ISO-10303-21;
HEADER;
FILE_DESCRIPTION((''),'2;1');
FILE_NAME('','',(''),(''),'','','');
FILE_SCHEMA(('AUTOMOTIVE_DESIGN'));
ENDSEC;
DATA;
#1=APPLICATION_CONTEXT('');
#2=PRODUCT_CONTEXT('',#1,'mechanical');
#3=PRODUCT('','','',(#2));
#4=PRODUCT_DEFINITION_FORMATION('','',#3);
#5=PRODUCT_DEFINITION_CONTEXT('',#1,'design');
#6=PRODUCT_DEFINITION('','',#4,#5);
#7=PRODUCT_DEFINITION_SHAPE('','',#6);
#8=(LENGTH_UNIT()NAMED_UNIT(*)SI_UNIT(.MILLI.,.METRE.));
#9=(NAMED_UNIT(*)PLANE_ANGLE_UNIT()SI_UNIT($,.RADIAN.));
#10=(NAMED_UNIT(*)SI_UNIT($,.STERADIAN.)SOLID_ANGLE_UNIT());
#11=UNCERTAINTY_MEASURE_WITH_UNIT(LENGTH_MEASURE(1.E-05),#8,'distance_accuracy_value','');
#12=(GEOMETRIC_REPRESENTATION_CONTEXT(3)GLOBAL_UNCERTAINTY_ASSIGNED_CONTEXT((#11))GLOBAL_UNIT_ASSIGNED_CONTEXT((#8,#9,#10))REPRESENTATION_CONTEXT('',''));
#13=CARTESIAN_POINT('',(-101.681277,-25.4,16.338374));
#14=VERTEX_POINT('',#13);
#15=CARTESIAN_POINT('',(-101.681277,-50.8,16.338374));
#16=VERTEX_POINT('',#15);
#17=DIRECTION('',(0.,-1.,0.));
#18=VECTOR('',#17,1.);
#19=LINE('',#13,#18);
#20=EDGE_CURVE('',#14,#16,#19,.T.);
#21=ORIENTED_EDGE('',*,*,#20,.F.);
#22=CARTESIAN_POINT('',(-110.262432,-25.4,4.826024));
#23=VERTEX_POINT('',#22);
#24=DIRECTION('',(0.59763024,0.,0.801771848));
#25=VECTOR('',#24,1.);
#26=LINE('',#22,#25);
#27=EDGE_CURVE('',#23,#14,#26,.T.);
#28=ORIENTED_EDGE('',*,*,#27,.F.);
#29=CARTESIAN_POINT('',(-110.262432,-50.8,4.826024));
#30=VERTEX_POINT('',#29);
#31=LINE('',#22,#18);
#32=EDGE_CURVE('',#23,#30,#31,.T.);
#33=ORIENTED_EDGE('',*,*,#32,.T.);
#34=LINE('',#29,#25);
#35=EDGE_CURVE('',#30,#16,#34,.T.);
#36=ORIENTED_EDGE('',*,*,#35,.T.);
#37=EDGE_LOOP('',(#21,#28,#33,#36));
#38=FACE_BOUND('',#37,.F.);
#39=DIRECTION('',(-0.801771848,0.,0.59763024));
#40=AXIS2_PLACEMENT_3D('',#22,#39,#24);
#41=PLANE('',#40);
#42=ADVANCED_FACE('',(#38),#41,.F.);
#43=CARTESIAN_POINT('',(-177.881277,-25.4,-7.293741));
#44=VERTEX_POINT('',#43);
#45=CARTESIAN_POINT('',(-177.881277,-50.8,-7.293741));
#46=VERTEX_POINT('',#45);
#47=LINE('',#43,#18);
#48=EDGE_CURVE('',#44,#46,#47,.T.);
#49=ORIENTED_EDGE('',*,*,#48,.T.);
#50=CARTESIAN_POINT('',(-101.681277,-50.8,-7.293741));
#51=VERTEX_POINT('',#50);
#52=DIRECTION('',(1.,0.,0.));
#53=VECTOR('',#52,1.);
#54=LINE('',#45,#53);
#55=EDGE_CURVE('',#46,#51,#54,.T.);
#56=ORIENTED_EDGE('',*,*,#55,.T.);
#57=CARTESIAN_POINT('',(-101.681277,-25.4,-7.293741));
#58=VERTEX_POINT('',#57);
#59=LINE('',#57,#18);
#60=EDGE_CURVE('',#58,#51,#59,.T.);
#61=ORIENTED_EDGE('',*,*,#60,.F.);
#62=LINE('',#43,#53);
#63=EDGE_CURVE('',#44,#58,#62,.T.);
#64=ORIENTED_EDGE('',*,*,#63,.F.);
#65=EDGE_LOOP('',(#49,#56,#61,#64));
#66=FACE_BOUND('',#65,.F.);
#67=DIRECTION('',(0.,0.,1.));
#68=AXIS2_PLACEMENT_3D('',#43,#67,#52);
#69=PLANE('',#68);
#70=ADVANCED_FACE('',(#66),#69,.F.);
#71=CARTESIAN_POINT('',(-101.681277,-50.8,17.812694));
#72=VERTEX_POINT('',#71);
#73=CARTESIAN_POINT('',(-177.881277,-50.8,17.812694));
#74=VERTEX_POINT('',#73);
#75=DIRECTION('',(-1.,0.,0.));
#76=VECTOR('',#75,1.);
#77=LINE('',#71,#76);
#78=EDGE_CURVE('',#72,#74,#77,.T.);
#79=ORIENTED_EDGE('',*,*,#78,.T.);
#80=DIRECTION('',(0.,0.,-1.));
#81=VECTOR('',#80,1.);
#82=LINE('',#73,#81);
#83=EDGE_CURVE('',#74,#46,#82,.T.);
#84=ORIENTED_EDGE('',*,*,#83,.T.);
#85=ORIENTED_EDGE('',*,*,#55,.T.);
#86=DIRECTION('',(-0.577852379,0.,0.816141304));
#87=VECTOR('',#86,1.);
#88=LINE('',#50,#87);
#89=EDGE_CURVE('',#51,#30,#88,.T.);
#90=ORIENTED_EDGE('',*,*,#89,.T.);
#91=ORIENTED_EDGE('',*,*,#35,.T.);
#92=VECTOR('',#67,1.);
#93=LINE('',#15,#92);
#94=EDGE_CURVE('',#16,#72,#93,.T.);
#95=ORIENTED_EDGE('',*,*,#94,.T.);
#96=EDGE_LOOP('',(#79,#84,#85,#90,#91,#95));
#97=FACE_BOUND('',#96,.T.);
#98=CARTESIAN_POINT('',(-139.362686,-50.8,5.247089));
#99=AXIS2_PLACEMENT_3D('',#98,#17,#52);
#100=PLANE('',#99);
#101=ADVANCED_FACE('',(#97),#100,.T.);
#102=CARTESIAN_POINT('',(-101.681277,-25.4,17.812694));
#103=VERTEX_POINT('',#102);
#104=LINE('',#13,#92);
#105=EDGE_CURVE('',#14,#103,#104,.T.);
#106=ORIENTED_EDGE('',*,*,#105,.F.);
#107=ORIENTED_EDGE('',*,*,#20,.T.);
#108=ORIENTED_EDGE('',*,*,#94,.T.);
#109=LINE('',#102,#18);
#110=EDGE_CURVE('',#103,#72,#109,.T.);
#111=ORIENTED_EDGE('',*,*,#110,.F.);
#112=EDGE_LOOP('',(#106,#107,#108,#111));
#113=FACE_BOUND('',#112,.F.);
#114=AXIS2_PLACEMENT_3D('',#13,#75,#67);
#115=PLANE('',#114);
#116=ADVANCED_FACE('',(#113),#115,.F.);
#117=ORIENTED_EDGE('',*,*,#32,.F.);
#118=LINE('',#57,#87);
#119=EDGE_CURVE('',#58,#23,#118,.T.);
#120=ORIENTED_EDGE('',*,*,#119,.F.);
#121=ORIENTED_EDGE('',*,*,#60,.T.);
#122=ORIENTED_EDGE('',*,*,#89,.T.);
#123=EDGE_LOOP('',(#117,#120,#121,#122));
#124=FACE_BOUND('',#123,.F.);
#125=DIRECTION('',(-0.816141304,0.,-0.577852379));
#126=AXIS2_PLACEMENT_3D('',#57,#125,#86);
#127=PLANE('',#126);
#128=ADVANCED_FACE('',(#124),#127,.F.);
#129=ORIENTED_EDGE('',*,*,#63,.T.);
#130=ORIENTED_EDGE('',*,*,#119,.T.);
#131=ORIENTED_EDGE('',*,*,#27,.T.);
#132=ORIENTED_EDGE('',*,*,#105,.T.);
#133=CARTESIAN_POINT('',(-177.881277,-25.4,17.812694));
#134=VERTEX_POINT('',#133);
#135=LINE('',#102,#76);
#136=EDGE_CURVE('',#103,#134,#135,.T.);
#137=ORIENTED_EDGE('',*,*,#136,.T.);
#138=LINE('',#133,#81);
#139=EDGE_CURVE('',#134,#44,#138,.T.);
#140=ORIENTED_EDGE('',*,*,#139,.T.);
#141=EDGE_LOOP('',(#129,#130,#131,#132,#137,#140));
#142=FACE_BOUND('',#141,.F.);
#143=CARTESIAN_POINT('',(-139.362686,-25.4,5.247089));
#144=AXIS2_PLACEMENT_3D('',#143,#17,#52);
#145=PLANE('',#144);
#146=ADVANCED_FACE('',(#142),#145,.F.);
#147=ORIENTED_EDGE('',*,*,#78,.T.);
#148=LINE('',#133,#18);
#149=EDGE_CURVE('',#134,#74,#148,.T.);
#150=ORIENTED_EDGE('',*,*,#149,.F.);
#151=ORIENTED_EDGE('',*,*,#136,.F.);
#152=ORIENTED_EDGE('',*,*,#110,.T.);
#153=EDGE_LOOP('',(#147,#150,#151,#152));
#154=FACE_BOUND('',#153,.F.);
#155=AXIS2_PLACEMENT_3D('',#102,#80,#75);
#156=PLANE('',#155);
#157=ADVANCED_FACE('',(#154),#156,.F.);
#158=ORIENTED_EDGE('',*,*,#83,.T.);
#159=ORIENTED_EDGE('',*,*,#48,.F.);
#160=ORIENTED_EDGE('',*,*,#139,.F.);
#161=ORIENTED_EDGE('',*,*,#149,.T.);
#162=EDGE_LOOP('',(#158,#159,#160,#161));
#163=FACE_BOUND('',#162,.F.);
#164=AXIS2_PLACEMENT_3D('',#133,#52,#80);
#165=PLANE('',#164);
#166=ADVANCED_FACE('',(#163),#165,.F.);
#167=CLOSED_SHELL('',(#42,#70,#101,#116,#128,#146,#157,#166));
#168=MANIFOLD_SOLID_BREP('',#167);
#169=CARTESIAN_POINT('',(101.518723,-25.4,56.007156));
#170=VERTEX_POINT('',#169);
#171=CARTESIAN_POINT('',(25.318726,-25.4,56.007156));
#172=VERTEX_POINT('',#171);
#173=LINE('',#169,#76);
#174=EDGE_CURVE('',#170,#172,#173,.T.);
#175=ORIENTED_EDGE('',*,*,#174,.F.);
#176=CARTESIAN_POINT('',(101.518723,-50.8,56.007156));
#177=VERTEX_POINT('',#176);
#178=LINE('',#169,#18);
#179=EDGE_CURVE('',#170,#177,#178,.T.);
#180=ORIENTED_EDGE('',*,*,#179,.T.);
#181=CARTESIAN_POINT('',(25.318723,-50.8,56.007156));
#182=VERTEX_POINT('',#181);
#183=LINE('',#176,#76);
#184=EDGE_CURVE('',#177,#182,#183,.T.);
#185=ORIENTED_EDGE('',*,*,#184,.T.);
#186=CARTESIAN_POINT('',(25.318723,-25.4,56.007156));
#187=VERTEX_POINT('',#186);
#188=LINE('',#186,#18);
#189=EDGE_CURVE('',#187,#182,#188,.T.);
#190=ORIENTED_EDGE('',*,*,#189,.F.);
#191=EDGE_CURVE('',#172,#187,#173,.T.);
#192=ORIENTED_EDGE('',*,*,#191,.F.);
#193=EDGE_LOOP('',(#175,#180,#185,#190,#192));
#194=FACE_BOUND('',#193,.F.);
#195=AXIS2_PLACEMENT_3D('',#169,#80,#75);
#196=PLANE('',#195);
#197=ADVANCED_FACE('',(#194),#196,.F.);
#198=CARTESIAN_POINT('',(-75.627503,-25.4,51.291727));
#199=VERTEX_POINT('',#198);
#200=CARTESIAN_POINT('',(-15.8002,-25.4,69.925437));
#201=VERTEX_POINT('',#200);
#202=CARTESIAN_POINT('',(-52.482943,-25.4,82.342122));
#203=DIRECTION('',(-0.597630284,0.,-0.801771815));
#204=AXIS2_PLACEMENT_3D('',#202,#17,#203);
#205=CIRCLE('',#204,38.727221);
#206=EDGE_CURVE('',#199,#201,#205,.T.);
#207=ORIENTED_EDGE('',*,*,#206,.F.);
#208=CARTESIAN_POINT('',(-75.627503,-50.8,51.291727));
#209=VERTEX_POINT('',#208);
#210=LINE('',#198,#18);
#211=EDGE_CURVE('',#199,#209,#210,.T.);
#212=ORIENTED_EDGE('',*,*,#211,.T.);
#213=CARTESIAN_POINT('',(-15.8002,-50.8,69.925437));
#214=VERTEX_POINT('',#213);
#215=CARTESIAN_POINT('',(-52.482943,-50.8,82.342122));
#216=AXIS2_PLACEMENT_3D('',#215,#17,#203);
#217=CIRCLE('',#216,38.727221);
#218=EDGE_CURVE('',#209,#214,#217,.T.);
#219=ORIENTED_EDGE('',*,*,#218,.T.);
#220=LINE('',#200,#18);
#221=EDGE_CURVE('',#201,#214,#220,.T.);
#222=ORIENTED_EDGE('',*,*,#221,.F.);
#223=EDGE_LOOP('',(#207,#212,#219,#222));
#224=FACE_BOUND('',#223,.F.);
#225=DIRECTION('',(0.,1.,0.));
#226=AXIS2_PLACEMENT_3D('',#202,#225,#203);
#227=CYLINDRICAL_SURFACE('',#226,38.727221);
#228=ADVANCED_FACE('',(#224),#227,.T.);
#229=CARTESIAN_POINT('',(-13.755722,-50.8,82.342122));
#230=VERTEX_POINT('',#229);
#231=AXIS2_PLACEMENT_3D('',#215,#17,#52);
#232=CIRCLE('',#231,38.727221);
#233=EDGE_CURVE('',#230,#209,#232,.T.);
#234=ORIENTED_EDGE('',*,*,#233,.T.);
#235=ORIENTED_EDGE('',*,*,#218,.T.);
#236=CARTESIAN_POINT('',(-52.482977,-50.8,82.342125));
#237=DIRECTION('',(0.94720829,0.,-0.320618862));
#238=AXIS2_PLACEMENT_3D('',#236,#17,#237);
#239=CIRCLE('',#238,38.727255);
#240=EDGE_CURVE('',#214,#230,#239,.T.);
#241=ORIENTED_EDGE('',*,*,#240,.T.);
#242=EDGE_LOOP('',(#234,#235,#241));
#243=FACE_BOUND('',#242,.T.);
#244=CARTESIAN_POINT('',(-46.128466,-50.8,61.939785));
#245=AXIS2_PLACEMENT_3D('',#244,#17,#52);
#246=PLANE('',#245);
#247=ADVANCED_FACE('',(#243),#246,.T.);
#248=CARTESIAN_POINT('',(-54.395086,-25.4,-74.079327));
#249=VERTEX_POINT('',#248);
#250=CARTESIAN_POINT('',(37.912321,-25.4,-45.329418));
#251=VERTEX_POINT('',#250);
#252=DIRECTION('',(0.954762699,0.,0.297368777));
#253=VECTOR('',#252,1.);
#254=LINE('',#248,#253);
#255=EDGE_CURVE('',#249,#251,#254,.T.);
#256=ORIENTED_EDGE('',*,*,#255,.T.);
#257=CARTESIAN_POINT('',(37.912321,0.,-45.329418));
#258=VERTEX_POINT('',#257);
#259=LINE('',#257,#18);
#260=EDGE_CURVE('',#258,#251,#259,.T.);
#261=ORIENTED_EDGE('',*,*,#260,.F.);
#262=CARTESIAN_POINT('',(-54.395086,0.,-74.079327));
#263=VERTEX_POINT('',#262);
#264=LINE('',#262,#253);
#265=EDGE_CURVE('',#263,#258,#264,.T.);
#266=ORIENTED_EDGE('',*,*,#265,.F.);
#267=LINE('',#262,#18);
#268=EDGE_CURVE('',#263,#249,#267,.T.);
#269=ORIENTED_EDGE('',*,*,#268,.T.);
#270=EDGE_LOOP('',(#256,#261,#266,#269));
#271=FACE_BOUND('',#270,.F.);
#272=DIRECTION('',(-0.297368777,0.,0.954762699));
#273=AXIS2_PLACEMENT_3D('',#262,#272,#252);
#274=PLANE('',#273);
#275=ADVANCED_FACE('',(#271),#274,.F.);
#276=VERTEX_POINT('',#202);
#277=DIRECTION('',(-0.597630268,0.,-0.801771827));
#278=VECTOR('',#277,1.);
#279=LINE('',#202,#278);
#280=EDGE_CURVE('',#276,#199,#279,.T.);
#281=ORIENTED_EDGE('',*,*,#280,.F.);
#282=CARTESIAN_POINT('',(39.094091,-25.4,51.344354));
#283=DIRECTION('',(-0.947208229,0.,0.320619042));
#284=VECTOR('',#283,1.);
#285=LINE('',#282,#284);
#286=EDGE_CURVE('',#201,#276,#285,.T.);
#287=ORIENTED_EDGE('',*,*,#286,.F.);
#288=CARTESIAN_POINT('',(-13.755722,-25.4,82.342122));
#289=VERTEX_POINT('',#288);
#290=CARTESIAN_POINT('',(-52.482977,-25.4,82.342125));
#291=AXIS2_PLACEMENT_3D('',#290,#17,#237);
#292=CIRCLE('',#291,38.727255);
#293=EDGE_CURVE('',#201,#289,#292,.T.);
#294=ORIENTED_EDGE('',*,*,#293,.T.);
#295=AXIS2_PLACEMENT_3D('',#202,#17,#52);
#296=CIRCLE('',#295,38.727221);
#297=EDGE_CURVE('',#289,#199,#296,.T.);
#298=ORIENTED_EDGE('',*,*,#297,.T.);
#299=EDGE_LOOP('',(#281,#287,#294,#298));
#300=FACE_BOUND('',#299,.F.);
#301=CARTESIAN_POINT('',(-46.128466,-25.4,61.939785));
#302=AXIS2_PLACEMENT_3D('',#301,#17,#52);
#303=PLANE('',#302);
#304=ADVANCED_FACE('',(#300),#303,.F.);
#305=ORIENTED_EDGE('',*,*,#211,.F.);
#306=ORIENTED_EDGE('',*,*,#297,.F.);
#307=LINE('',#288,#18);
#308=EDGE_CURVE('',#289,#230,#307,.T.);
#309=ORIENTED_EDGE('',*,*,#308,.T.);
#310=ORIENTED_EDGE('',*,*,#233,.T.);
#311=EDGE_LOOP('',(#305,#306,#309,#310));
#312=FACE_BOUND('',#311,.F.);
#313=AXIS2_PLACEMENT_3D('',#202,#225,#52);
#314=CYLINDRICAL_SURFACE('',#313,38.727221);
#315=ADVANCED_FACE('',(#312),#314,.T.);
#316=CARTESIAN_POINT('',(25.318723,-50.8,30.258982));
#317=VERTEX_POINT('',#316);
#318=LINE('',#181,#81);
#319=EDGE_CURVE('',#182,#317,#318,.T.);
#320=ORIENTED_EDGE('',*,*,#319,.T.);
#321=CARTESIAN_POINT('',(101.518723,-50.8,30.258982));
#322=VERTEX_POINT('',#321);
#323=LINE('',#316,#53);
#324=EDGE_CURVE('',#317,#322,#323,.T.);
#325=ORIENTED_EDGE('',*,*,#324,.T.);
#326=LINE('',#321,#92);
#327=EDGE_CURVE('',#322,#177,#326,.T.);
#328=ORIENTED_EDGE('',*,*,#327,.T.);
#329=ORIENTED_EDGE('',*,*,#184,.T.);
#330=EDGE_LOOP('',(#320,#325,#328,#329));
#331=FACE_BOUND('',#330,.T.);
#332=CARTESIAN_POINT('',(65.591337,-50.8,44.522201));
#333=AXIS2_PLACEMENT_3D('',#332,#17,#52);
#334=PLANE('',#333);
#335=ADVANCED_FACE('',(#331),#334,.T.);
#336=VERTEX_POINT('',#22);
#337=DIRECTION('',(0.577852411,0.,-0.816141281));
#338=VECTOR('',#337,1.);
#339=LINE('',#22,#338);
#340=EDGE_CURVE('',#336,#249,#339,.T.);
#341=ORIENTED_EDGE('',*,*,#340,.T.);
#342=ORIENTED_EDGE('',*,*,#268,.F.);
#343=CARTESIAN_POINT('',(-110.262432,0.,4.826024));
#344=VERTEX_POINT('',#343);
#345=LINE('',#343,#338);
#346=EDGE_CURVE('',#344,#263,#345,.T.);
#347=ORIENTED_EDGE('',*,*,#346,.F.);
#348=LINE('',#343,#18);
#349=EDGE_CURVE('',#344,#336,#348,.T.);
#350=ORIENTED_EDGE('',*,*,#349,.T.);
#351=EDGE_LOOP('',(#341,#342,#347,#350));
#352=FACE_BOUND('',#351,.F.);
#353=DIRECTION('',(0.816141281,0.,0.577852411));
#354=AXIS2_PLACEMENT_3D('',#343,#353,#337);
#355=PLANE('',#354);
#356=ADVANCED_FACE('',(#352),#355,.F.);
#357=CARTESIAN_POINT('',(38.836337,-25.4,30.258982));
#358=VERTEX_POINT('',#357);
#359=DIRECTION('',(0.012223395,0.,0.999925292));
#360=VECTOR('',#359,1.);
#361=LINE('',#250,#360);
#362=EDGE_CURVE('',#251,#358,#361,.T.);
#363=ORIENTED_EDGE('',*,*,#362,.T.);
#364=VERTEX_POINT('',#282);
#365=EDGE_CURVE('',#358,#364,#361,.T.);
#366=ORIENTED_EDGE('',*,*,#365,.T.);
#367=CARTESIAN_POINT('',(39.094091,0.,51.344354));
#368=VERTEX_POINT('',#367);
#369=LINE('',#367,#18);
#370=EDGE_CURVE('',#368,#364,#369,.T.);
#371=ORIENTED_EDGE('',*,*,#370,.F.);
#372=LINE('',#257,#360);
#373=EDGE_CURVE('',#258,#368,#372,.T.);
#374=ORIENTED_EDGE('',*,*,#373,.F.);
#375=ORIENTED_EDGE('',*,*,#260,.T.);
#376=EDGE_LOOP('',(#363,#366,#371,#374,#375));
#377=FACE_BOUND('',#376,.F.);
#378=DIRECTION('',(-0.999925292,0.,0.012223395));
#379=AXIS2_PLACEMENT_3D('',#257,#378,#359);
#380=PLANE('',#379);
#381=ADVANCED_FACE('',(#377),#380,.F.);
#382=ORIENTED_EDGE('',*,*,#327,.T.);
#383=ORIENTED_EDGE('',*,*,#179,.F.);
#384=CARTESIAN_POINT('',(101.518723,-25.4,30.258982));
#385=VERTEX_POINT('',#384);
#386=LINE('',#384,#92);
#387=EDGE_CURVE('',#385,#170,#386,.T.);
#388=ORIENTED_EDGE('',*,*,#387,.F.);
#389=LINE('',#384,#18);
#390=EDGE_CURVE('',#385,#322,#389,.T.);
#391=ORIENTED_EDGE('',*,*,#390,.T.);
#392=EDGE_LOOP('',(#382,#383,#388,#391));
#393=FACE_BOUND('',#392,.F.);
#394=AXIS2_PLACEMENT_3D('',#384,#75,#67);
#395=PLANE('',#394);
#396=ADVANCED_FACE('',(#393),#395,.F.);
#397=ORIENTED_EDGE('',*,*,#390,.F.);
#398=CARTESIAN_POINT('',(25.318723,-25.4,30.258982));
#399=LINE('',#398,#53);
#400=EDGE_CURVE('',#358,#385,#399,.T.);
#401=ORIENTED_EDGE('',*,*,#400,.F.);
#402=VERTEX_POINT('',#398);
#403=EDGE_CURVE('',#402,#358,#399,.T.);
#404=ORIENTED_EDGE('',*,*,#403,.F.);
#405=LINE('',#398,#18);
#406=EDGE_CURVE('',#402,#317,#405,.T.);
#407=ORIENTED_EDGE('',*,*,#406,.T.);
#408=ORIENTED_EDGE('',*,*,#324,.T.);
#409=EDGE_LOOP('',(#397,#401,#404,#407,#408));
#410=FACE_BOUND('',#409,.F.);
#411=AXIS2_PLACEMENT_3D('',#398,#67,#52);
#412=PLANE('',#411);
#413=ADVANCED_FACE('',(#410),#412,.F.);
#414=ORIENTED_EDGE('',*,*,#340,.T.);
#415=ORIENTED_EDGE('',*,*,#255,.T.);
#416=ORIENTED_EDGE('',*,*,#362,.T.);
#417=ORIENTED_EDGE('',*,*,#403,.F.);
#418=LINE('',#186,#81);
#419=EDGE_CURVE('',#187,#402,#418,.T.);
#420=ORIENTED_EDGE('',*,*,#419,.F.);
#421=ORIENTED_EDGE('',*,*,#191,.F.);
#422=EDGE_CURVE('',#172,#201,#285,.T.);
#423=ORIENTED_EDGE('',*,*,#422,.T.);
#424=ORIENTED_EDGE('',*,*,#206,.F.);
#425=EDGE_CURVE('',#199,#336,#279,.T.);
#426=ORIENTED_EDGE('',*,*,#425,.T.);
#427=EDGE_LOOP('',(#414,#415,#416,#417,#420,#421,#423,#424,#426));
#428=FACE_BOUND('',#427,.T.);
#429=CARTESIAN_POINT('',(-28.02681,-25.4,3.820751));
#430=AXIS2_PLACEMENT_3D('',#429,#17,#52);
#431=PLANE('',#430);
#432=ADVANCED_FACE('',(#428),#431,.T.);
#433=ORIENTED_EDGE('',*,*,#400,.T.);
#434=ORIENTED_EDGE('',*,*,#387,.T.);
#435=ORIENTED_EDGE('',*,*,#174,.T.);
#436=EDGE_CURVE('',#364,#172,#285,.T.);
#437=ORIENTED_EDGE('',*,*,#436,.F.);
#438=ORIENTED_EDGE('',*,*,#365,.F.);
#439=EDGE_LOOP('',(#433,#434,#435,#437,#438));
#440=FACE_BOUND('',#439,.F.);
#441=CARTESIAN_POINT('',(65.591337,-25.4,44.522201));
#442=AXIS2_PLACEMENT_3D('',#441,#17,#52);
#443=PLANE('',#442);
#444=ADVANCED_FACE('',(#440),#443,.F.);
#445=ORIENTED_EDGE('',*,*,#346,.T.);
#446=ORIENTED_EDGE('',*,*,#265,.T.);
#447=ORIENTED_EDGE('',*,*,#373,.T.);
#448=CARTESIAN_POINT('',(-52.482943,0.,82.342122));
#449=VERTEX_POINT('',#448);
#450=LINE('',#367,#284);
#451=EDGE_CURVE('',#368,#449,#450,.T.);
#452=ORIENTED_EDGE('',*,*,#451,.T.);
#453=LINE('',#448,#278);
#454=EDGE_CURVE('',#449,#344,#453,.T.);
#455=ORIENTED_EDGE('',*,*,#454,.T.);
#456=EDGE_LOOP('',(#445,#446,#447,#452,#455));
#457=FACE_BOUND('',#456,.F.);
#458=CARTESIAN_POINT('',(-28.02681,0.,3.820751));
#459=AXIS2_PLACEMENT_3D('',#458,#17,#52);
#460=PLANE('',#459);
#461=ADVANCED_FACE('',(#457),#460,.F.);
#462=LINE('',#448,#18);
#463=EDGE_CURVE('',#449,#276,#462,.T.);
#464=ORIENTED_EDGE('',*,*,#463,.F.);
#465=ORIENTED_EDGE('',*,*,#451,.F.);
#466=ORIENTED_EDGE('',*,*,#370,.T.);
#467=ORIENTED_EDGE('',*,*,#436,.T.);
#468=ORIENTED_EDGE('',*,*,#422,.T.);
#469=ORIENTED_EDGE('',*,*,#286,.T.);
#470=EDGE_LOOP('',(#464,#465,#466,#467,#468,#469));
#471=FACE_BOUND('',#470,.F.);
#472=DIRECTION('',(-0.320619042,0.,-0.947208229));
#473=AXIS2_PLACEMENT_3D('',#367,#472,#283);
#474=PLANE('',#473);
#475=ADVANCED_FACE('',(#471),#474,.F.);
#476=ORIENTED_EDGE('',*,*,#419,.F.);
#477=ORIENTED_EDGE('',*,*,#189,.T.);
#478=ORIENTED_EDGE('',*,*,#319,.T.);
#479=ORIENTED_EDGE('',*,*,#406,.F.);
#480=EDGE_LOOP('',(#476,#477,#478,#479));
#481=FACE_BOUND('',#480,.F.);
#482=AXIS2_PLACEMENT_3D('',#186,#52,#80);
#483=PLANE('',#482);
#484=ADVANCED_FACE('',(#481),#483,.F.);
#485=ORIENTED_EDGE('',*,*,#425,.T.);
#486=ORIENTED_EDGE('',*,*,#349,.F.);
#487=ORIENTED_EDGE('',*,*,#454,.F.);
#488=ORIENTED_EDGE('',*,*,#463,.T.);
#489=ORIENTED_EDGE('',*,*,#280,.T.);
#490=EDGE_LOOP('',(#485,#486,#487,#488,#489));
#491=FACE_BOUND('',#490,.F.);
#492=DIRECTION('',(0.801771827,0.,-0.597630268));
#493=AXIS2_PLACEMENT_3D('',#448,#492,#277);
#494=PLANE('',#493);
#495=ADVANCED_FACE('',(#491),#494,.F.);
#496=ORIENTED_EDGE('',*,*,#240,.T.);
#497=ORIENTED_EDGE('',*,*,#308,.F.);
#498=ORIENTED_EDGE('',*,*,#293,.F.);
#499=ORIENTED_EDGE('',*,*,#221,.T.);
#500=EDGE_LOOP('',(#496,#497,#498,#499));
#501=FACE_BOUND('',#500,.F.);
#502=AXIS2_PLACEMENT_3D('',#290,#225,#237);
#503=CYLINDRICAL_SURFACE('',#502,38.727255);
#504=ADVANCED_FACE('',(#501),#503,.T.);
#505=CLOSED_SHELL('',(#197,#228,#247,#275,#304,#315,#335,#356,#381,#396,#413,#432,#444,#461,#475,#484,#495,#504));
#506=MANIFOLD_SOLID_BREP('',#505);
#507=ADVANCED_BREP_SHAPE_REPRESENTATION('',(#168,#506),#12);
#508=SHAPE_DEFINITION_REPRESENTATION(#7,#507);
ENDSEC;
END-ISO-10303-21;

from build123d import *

# Parameters (mm, degrees)
F1_DEPTH = 25.4
F3_DEPTH = 25.4
F5_DEPTH = 25.4
F7_DEPTH = 25.4


with BuildPart() as f1:
    # F0 (on Front) → F1 (new body)
    with BuildSketch(Plane.XZ):
        Polygon((-110.262432, 4.826024), (-54.395086, -74.079327), (37.912321, -45.329418), (39.094091, 51.344354), (-52.482943, 82.342122), align=None)
    extrude(amount=F1_DEPTH)

    # F2 (on face) → F3 (join)
    with BuildSketch(Plane.XZ.offset(25.4)):
        with BuildLine():
            Line((-52.482943, 82.342122), (-75.627503, 51.291727))
            ThreePointArc((-75.627503, 51.291727), (-40.966677, 45.366815), (-15.8002, 69.925437))
            Line((-15.8002, 69.925437), (-52.482943, 82.342122))
        make_face()
        with BuildLine():
            ThreePointArc((-15.8002, 69.925437), (-14.27026, 76.050183), (-13.755722, 82.342122))
            ThreePointArc((-13.755722, 82.342122), (-69.85351, 116.955141), (-75.627503, 51.291727))
            Line((-75.627503, 51.291727), (-52.482943, 82.342122))
            Line((-52.482943, 82.342122), (-15.8002, 69.925437))
        make_face()
    extrude(amount=F3_DEPTH)

    # F6 (on face) → F7 (join)
    with BuildSketch(Plane.XZ.offset(25.4)):
        Polygon((101.518723, 56.007156), (25.318723, 56.007156), (39.094091, 51.344354), (38.836337, 30.258982), (101.518723, 30.258982), align=None)
        Polygon((39.094091, 51.344354), (25.318723, 56.007156), (25.318723, 30.258982), (38.836337, 30.258982), align=None)
    extrude(amount=F7_DEPTH)


with BuildPart() as f5:
    # F4 (on face) → F5 (new body)
    with BuildSketch(Plane.XZ.offset(25.4)):
        Polygon((-177.881277, -7.293741), (-101.681277, -7.293741), (-110.262432, 4.826024), (-101.681277, 16.338374), (-101.681277, 17.812694), (-177.881277, 17.812694), align=None)
    extrude(amount=F5_DEPTH)


solid = Compound([f1.part, f5.part])
